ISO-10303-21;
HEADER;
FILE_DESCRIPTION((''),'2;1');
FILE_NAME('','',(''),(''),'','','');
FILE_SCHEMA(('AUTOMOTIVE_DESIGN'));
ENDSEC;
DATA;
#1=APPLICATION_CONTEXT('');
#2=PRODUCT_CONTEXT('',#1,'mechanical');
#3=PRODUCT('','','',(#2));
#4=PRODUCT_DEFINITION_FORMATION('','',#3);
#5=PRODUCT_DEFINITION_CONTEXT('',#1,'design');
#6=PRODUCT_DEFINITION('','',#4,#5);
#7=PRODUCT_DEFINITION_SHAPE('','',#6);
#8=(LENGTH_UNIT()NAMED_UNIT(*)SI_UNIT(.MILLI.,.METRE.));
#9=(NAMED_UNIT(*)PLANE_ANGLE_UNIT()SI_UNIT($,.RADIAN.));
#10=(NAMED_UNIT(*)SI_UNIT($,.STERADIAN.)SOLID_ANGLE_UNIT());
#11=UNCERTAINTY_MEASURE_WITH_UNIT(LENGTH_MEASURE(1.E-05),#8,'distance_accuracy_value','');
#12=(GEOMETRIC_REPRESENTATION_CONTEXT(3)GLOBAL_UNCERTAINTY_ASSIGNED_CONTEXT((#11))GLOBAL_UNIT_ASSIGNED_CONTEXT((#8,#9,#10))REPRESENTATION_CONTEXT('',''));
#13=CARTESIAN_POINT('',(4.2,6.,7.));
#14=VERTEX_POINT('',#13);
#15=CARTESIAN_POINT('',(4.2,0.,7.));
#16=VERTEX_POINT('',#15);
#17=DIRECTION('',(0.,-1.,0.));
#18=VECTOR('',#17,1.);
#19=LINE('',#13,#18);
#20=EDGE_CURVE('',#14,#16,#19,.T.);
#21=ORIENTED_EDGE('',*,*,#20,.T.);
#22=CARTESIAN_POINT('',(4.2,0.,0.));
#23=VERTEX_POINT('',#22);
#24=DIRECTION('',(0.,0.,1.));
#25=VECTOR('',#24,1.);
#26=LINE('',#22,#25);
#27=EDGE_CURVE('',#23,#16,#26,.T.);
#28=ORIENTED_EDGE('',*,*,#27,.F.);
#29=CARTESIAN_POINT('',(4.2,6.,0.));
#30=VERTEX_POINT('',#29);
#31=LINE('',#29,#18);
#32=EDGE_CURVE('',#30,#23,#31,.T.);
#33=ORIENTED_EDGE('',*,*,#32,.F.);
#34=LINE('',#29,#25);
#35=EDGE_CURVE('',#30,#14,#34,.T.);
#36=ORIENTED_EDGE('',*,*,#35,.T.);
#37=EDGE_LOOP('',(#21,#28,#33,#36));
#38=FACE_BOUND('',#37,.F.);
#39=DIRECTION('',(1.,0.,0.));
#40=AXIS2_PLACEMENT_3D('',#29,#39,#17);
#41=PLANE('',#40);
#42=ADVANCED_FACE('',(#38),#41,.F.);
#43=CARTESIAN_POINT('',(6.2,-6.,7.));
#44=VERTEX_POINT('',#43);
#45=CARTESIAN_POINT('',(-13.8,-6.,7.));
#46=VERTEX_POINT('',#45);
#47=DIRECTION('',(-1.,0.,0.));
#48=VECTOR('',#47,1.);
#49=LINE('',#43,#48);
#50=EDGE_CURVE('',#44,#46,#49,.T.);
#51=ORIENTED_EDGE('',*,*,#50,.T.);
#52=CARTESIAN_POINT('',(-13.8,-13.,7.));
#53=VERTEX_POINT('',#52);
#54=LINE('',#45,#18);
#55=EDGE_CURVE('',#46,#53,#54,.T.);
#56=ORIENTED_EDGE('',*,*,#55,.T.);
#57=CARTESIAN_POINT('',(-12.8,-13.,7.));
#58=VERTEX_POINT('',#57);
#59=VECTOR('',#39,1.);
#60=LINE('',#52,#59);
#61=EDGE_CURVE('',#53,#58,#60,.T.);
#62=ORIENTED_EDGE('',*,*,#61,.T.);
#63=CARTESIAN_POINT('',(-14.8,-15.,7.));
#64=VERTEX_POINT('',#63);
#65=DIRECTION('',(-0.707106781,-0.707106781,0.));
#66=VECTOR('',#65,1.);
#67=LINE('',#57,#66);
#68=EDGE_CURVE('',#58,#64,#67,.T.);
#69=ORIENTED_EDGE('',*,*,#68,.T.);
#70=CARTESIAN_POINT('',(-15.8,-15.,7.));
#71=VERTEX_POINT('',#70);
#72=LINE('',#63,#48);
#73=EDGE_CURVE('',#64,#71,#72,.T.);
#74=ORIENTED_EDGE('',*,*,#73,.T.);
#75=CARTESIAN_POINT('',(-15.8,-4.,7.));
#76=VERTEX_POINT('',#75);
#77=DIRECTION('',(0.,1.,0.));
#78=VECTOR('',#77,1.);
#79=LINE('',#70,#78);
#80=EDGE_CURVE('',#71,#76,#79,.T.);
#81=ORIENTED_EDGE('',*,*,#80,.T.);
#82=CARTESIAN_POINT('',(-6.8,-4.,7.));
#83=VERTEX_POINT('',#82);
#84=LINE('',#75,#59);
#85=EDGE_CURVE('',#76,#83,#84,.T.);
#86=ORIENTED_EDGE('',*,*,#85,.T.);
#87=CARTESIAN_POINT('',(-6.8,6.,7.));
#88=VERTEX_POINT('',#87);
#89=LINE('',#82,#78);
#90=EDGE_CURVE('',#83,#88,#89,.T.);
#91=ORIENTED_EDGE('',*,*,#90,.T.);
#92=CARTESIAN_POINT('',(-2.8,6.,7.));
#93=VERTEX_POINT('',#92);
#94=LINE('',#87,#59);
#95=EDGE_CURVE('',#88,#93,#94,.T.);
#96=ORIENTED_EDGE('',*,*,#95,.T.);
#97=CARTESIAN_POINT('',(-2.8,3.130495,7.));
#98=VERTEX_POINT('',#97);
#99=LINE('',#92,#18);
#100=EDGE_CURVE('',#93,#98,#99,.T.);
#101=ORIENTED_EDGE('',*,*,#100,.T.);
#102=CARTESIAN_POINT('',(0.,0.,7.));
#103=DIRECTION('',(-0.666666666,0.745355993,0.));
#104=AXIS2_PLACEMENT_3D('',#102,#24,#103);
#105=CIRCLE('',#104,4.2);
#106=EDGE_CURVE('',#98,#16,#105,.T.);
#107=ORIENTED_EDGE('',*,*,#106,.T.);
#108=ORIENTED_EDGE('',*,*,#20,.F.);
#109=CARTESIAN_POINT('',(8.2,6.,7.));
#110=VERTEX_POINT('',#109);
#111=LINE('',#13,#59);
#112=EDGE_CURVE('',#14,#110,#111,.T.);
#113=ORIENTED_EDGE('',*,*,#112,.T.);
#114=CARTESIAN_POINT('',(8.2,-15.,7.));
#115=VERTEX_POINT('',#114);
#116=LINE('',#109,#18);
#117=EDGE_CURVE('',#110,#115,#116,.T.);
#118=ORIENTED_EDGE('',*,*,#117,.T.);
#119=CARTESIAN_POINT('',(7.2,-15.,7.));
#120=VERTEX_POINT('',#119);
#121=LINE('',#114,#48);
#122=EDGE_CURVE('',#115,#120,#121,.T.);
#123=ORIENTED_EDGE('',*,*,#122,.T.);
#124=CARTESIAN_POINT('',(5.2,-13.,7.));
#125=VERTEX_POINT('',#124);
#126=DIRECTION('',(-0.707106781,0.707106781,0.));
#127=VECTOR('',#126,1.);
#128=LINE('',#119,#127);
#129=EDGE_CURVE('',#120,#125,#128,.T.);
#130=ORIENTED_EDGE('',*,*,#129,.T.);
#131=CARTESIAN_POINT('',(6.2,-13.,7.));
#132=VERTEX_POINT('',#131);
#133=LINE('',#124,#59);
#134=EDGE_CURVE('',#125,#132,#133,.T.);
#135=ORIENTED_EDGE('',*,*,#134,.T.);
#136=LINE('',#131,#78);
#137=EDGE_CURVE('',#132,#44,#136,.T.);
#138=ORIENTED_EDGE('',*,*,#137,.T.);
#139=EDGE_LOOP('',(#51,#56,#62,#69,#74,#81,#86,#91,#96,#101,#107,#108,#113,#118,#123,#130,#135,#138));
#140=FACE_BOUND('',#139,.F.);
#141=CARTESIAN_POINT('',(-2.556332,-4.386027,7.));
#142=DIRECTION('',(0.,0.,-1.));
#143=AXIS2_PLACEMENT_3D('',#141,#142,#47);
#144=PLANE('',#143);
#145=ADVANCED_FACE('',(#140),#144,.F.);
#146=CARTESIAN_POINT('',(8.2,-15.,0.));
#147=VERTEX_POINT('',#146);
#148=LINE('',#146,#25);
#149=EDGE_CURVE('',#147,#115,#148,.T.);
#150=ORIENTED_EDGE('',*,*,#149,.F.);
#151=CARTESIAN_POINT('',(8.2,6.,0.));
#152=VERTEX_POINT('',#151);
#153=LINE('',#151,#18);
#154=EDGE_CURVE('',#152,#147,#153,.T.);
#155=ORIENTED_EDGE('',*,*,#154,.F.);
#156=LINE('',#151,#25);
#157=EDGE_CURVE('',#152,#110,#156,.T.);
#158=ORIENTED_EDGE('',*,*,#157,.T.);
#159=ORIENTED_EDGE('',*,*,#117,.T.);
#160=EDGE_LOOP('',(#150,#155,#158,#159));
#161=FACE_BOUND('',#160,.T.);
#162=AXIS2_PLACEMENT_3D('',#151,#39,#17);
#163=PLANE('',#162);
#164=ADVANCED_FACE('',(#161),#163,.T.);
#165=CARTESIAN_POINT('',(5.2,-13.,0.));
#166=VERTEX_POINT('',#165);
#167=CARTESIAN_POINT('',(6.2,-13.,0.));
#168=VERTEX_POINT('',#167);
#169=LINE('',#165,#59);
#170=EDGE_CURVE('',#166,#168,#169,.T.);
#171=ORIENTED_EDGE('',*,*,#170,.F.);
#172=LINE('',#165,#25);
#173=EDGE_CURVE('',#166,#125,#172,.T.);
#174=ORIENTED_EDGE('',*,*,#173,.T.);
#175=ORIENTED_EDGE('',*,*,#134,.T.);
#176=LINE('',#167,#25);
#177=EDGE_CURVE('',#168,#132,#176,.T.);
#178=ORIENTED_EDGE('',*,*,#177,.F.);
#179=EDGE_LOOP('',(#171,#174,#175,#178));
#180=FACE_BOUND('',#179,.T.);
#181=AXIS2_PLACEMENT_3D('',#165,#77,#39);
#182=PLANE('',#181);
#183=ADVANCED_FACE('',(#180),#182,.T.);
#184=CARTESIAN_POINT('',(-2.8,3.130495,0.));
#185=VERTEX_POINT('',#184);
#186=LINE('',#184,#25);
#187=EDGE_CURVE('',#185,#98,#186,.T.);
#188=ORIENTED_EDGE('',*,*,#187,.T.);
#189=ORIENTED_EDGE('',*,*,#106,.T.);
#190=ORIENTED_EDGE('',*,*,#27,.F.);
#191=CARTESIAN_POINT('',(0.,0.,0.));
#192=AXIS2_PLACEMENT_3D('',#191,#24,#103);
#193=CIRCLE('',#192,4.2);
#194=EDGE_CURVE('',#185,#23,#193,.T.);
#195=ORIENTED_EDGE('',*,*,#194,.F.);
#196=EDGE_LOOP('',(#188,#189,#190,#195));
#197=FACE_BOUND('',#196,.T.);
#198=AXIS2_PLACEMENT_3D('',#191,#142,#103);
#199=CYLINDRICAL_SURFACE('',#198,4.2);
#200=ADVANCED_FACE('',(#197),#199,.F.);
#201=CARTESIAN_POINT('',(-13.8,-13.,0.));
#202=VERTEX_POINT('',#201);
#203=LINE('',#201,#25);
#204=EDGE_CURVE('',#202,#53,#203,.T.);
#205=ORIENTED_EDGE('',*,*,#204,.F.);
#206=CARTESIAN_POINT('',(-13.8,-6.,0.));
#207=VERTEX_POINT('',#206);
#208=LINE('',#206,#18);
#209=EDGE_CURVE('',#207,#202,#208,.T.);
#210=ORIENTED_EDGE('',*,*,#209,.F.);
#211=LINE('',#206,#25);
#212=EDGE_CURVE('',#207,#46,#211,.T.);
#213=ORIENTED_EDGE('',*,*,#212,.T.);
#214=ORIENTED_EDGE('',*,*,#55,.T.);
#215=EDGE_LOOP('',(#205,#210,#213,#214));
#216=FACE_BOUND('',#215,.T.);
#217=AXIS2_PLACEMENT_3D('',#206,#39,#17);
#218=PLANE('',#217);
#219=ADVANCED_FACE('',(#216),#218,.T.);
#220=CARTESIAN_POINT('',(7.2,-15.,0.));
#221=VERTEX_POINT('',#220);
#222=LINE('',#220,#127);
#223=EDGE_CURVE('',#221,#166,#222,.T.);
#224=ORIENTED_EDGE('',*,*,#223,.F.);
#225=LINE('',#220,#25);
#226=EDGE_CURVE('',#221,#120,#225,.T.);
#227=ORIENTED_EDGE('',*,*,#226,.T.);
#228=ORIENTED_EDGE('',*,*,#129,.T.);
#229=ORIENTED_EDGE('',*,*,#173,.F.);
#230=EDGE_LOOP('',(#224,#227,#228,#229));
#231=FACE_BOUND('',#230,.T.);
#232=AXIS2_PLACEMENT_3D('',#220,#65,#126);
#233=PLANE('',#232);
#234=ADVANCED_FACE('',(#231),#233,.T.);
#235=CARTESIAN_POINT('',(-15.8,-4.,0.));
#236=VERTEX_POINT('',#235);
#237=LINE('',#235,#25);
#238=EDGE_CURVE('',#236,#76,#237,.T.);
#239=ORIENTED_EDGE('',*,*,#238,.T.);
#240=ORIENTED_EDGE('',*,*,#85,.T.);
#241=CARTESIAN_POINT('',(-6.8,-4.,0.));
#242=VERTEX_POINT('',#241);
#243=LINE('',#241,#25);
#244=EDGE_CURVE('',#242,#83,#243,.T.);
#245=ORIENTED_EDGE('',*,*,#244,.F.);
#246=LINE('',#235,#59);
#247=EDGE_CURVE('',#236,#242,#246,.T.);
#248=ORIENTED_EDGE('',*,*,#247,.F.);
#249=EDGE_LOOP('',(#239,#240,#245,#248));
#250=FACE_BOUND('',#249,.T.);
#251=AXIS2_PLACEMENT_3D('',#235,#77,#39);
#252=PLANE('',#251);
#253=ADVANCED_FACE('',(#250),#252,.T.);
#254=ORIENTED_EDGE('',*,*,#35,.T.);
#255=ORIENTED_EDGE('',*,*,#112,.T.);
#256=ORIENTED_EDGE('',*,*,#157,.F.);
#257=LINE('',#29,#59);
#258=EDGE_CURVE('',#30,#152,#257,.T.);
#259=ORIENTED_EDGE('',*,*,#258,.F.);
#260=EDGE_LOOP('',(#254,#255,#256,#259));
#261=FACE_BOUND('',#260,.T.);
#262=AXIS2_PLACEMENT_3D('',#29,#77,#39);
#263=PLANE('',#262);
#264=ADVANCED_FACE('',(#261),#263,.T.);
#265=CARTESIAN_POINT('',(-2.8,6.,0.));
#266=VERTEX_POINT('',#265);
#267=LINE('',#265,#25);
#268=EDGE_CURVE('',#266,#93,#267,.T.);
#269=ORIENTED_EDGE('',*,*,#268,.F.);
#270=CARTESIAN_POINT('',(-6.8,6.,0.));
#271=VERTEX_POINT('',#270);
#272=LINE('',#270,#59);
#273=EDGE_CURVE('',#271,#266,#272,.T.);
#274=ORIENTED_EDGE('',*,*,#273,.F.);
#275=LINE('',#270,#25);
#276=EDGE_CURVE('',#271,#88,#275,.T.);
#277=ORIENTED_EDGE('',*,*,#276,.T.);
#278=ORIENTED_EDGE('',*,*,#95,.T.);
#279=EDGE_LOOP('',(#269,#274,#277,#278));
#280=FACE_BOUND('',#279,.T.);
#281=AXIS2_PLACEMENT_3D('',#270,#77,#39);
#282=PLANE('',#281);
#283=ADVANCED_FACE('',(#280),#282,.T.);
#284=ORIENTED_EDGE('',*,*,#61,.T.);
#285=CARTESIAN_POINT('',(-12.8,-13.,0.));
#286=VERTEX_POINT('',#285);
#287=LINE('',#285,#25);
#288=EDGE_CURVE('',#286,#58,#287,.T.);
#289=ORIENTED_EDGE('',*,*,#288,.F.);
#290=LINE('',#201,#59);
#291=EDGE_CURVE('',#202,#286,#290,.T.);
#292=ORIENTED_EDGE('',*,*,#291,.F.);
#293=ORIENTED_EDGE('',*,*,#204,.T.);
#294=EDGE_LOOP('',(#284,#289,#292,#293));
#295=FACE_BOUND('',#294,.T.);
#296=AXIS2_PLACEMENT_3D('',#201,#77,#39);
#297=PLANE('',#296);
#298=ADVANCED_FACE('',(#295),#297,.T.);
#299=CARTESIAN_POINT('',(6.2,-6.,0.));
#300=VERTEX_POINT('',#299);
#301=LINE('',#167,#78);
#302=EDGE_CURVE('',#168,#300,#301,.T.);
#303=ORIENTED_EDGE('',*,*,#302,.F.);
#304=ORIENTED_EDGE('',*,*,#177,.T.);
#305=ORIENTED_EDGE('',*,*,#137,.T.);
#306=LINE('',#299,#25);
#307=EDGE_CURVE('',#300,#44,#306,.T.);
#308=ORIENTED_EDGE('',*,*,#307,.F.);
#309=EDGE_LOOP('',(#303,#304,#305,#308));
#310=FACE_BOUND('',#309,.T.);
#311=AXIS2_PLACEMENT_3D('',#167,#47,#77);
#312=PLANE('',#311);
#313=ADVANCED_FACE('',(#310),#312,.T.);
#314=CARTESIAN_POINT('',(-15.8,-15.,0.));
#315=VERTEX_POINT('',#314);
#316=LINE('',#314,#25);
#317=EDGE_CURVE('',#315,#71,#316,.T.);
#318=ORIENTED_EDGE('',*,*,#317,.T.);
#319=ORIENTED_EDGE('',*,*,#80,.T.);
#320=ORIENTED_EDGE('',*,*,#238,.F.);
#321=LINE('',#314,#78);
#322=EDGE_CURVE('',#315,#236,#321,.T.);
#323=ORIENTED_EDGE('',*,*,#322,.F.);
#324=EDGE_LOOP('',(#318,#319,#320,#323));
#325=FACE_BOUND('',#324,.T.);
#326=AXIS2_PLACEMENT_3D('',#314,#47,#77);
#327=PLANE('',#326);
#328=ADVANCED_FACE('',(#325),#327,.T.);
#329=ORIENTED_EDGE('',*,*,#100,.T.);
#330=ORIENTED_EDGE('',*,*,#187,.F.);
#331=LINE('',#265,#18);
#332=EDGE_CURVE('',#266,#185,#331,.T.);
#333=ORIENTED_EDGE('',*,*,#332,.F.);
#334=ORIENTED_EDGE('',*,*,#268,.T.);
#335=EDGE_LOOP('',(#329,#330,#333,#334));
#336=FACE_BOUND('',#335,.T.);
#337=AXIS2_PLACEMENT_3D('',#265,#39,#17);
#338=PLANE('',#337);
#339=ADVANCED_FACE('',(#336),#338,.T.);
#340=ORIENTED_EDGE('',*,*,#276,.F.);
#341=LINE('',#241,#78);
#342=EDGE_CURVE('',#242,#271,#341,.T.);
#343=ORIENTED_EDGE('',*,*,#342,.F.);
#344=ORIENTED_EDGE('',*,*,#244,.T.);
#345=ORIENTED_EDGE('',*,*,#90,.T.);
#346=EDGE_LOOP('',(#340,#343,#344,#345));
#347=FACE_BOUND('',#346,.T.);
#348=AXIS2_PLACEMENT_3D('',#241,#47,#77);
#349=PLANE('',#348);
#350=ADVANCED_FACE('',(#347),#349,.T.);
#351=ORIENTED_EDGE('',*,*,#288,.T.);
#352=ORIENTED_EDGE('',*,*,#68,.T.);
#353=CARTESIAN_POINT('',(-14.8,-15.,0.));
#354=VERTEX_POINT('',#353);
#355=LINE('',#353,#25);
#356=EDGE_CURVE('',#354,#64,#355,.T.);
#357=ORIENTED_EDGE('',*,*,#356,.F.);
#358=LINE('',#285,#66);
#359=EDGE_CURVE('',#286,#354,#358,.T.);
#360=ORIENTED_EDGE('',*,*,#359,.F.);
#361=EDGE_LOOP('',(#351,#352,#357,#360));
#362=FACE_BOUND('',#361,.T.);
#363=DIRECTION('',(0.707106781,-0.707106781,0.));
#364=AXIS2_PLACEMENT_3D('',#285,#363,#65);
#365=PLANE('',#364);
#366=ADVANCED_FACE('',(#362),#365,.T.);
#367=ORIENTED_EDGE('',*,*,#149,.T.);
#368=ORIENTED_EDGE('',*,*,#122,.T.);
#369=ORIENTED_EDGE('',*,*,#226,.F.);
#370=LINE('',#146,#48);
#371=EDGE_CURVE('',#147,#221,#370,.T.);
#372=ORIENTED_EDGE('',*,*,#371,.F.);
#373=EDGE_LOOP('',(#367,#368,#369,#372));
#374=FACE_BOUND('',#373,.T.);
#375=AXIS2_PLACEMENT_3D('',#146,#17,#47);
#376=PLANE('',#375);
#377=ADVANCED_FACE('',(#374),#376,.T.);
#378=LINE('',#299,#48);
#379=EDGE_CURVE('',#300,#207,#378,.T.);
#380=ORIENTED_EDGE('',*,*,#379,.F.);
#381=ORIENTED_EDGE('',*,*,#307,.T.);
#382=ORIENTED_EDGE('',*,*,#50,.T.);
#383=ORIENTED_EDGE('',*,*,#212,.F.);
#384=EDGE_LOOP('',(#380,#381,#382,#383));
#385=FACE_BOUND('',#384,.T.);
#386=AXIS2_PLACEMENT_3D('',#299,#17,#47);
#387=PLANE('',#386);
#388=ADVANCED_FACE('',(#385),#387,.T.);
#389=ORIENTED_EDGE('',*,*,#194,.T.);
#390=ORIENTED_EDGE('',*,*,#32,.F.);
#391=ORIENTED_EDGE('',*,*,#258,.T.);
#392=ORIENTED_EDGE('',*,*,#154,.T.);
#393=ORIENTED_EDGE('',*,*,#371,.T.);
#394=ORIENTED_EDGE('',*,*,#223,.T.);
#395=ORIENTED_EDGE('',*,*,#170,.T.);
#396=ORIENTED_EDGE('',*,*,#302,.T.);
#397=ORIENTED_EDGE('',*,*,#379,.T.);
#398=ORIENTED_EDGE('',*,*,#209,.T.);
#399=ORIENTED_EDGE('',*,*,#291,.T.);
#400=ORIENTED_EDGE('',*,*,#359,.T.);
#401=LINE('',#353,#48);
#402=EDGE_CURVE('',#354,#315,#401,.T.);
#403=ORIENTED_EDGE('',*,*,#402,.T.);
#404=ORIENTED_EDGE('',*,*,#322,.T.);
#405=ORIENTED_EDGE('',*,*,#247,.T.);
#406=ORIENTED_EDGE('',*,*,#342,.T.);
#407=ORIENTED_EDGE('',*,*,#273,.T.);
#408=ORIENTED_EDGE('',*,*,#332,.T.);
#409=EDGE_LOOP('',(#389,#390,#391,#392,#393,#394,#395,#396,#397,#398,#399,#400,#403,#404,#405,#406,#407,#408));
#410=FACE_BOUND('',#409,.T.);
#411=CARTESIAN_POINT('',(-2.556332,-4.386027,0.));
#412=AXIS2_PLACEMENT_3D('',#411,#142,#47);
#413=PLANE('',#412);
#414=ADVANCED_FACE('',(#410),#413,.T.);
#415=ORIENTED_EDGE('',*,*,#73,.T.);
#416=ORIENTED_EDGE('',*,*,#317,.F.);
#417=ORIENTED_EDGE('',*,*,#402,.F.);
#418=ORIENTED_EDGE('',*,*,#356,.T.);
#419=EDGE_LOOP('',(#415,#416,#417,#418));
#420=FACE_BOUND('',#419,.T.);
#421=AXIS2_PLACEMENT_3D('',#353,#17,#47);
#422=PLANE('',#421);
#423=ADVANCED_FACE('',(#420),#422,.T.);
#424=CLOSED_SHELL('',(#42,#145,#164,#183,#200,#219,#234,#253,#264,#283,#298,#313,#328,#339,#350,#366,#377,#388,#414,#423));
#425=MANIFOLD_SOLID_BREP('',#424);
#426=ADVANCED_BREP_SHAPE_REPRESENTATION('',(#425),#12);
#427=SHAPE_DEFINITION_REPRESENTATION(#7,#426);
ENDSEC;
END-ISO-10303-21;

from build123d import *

# Parameters (mm, degrees)
PAD_DEPTH = 7


with BuildPart() as part:
    # Sketch → Pad (new body)
    with BuildSketch(Plane.XY):
        with BuildLine():
            ThreePointArc((-2.8, 3.130495), (-1.714643, -3.834058), (4.2, 0))
            Line((4.2, 6), (4.2, 0))
            Line((4.2, 6), (8.2, 6))
            Line((8.2, 6), (8.2, -15))
            Line((8.2, -15), (7.2, -15))
            Line((7.2, -15), (5.2, -13))
            Line((5.2, -13), (6.2, -13))
            Line((6.2, -13), (6.2, -6))
            Line((6.2, -6), (-13.8, -6))
            Line((-13.8, -6), (-13.8, -13))
            Line((-13.8, -13), (-12.8, -13))
            Line((-12.8, -13), (-14.8, -15))
            Line((-14.8, -15), (-15.8, -15))
            Line((-15.8, -15), (-15.8, -4))
            Line((-15.8, -4), (-6.8, -4))
            Line((-6.8, -4), (-6.8, 6))
            Line((-6.8, 6), (-2.8, 6))
            Line((-2.8, 6), (-2.8, 3.130495))
        make_face()
    extrude(amount=PAD_DEPTH)


solid = part.part
